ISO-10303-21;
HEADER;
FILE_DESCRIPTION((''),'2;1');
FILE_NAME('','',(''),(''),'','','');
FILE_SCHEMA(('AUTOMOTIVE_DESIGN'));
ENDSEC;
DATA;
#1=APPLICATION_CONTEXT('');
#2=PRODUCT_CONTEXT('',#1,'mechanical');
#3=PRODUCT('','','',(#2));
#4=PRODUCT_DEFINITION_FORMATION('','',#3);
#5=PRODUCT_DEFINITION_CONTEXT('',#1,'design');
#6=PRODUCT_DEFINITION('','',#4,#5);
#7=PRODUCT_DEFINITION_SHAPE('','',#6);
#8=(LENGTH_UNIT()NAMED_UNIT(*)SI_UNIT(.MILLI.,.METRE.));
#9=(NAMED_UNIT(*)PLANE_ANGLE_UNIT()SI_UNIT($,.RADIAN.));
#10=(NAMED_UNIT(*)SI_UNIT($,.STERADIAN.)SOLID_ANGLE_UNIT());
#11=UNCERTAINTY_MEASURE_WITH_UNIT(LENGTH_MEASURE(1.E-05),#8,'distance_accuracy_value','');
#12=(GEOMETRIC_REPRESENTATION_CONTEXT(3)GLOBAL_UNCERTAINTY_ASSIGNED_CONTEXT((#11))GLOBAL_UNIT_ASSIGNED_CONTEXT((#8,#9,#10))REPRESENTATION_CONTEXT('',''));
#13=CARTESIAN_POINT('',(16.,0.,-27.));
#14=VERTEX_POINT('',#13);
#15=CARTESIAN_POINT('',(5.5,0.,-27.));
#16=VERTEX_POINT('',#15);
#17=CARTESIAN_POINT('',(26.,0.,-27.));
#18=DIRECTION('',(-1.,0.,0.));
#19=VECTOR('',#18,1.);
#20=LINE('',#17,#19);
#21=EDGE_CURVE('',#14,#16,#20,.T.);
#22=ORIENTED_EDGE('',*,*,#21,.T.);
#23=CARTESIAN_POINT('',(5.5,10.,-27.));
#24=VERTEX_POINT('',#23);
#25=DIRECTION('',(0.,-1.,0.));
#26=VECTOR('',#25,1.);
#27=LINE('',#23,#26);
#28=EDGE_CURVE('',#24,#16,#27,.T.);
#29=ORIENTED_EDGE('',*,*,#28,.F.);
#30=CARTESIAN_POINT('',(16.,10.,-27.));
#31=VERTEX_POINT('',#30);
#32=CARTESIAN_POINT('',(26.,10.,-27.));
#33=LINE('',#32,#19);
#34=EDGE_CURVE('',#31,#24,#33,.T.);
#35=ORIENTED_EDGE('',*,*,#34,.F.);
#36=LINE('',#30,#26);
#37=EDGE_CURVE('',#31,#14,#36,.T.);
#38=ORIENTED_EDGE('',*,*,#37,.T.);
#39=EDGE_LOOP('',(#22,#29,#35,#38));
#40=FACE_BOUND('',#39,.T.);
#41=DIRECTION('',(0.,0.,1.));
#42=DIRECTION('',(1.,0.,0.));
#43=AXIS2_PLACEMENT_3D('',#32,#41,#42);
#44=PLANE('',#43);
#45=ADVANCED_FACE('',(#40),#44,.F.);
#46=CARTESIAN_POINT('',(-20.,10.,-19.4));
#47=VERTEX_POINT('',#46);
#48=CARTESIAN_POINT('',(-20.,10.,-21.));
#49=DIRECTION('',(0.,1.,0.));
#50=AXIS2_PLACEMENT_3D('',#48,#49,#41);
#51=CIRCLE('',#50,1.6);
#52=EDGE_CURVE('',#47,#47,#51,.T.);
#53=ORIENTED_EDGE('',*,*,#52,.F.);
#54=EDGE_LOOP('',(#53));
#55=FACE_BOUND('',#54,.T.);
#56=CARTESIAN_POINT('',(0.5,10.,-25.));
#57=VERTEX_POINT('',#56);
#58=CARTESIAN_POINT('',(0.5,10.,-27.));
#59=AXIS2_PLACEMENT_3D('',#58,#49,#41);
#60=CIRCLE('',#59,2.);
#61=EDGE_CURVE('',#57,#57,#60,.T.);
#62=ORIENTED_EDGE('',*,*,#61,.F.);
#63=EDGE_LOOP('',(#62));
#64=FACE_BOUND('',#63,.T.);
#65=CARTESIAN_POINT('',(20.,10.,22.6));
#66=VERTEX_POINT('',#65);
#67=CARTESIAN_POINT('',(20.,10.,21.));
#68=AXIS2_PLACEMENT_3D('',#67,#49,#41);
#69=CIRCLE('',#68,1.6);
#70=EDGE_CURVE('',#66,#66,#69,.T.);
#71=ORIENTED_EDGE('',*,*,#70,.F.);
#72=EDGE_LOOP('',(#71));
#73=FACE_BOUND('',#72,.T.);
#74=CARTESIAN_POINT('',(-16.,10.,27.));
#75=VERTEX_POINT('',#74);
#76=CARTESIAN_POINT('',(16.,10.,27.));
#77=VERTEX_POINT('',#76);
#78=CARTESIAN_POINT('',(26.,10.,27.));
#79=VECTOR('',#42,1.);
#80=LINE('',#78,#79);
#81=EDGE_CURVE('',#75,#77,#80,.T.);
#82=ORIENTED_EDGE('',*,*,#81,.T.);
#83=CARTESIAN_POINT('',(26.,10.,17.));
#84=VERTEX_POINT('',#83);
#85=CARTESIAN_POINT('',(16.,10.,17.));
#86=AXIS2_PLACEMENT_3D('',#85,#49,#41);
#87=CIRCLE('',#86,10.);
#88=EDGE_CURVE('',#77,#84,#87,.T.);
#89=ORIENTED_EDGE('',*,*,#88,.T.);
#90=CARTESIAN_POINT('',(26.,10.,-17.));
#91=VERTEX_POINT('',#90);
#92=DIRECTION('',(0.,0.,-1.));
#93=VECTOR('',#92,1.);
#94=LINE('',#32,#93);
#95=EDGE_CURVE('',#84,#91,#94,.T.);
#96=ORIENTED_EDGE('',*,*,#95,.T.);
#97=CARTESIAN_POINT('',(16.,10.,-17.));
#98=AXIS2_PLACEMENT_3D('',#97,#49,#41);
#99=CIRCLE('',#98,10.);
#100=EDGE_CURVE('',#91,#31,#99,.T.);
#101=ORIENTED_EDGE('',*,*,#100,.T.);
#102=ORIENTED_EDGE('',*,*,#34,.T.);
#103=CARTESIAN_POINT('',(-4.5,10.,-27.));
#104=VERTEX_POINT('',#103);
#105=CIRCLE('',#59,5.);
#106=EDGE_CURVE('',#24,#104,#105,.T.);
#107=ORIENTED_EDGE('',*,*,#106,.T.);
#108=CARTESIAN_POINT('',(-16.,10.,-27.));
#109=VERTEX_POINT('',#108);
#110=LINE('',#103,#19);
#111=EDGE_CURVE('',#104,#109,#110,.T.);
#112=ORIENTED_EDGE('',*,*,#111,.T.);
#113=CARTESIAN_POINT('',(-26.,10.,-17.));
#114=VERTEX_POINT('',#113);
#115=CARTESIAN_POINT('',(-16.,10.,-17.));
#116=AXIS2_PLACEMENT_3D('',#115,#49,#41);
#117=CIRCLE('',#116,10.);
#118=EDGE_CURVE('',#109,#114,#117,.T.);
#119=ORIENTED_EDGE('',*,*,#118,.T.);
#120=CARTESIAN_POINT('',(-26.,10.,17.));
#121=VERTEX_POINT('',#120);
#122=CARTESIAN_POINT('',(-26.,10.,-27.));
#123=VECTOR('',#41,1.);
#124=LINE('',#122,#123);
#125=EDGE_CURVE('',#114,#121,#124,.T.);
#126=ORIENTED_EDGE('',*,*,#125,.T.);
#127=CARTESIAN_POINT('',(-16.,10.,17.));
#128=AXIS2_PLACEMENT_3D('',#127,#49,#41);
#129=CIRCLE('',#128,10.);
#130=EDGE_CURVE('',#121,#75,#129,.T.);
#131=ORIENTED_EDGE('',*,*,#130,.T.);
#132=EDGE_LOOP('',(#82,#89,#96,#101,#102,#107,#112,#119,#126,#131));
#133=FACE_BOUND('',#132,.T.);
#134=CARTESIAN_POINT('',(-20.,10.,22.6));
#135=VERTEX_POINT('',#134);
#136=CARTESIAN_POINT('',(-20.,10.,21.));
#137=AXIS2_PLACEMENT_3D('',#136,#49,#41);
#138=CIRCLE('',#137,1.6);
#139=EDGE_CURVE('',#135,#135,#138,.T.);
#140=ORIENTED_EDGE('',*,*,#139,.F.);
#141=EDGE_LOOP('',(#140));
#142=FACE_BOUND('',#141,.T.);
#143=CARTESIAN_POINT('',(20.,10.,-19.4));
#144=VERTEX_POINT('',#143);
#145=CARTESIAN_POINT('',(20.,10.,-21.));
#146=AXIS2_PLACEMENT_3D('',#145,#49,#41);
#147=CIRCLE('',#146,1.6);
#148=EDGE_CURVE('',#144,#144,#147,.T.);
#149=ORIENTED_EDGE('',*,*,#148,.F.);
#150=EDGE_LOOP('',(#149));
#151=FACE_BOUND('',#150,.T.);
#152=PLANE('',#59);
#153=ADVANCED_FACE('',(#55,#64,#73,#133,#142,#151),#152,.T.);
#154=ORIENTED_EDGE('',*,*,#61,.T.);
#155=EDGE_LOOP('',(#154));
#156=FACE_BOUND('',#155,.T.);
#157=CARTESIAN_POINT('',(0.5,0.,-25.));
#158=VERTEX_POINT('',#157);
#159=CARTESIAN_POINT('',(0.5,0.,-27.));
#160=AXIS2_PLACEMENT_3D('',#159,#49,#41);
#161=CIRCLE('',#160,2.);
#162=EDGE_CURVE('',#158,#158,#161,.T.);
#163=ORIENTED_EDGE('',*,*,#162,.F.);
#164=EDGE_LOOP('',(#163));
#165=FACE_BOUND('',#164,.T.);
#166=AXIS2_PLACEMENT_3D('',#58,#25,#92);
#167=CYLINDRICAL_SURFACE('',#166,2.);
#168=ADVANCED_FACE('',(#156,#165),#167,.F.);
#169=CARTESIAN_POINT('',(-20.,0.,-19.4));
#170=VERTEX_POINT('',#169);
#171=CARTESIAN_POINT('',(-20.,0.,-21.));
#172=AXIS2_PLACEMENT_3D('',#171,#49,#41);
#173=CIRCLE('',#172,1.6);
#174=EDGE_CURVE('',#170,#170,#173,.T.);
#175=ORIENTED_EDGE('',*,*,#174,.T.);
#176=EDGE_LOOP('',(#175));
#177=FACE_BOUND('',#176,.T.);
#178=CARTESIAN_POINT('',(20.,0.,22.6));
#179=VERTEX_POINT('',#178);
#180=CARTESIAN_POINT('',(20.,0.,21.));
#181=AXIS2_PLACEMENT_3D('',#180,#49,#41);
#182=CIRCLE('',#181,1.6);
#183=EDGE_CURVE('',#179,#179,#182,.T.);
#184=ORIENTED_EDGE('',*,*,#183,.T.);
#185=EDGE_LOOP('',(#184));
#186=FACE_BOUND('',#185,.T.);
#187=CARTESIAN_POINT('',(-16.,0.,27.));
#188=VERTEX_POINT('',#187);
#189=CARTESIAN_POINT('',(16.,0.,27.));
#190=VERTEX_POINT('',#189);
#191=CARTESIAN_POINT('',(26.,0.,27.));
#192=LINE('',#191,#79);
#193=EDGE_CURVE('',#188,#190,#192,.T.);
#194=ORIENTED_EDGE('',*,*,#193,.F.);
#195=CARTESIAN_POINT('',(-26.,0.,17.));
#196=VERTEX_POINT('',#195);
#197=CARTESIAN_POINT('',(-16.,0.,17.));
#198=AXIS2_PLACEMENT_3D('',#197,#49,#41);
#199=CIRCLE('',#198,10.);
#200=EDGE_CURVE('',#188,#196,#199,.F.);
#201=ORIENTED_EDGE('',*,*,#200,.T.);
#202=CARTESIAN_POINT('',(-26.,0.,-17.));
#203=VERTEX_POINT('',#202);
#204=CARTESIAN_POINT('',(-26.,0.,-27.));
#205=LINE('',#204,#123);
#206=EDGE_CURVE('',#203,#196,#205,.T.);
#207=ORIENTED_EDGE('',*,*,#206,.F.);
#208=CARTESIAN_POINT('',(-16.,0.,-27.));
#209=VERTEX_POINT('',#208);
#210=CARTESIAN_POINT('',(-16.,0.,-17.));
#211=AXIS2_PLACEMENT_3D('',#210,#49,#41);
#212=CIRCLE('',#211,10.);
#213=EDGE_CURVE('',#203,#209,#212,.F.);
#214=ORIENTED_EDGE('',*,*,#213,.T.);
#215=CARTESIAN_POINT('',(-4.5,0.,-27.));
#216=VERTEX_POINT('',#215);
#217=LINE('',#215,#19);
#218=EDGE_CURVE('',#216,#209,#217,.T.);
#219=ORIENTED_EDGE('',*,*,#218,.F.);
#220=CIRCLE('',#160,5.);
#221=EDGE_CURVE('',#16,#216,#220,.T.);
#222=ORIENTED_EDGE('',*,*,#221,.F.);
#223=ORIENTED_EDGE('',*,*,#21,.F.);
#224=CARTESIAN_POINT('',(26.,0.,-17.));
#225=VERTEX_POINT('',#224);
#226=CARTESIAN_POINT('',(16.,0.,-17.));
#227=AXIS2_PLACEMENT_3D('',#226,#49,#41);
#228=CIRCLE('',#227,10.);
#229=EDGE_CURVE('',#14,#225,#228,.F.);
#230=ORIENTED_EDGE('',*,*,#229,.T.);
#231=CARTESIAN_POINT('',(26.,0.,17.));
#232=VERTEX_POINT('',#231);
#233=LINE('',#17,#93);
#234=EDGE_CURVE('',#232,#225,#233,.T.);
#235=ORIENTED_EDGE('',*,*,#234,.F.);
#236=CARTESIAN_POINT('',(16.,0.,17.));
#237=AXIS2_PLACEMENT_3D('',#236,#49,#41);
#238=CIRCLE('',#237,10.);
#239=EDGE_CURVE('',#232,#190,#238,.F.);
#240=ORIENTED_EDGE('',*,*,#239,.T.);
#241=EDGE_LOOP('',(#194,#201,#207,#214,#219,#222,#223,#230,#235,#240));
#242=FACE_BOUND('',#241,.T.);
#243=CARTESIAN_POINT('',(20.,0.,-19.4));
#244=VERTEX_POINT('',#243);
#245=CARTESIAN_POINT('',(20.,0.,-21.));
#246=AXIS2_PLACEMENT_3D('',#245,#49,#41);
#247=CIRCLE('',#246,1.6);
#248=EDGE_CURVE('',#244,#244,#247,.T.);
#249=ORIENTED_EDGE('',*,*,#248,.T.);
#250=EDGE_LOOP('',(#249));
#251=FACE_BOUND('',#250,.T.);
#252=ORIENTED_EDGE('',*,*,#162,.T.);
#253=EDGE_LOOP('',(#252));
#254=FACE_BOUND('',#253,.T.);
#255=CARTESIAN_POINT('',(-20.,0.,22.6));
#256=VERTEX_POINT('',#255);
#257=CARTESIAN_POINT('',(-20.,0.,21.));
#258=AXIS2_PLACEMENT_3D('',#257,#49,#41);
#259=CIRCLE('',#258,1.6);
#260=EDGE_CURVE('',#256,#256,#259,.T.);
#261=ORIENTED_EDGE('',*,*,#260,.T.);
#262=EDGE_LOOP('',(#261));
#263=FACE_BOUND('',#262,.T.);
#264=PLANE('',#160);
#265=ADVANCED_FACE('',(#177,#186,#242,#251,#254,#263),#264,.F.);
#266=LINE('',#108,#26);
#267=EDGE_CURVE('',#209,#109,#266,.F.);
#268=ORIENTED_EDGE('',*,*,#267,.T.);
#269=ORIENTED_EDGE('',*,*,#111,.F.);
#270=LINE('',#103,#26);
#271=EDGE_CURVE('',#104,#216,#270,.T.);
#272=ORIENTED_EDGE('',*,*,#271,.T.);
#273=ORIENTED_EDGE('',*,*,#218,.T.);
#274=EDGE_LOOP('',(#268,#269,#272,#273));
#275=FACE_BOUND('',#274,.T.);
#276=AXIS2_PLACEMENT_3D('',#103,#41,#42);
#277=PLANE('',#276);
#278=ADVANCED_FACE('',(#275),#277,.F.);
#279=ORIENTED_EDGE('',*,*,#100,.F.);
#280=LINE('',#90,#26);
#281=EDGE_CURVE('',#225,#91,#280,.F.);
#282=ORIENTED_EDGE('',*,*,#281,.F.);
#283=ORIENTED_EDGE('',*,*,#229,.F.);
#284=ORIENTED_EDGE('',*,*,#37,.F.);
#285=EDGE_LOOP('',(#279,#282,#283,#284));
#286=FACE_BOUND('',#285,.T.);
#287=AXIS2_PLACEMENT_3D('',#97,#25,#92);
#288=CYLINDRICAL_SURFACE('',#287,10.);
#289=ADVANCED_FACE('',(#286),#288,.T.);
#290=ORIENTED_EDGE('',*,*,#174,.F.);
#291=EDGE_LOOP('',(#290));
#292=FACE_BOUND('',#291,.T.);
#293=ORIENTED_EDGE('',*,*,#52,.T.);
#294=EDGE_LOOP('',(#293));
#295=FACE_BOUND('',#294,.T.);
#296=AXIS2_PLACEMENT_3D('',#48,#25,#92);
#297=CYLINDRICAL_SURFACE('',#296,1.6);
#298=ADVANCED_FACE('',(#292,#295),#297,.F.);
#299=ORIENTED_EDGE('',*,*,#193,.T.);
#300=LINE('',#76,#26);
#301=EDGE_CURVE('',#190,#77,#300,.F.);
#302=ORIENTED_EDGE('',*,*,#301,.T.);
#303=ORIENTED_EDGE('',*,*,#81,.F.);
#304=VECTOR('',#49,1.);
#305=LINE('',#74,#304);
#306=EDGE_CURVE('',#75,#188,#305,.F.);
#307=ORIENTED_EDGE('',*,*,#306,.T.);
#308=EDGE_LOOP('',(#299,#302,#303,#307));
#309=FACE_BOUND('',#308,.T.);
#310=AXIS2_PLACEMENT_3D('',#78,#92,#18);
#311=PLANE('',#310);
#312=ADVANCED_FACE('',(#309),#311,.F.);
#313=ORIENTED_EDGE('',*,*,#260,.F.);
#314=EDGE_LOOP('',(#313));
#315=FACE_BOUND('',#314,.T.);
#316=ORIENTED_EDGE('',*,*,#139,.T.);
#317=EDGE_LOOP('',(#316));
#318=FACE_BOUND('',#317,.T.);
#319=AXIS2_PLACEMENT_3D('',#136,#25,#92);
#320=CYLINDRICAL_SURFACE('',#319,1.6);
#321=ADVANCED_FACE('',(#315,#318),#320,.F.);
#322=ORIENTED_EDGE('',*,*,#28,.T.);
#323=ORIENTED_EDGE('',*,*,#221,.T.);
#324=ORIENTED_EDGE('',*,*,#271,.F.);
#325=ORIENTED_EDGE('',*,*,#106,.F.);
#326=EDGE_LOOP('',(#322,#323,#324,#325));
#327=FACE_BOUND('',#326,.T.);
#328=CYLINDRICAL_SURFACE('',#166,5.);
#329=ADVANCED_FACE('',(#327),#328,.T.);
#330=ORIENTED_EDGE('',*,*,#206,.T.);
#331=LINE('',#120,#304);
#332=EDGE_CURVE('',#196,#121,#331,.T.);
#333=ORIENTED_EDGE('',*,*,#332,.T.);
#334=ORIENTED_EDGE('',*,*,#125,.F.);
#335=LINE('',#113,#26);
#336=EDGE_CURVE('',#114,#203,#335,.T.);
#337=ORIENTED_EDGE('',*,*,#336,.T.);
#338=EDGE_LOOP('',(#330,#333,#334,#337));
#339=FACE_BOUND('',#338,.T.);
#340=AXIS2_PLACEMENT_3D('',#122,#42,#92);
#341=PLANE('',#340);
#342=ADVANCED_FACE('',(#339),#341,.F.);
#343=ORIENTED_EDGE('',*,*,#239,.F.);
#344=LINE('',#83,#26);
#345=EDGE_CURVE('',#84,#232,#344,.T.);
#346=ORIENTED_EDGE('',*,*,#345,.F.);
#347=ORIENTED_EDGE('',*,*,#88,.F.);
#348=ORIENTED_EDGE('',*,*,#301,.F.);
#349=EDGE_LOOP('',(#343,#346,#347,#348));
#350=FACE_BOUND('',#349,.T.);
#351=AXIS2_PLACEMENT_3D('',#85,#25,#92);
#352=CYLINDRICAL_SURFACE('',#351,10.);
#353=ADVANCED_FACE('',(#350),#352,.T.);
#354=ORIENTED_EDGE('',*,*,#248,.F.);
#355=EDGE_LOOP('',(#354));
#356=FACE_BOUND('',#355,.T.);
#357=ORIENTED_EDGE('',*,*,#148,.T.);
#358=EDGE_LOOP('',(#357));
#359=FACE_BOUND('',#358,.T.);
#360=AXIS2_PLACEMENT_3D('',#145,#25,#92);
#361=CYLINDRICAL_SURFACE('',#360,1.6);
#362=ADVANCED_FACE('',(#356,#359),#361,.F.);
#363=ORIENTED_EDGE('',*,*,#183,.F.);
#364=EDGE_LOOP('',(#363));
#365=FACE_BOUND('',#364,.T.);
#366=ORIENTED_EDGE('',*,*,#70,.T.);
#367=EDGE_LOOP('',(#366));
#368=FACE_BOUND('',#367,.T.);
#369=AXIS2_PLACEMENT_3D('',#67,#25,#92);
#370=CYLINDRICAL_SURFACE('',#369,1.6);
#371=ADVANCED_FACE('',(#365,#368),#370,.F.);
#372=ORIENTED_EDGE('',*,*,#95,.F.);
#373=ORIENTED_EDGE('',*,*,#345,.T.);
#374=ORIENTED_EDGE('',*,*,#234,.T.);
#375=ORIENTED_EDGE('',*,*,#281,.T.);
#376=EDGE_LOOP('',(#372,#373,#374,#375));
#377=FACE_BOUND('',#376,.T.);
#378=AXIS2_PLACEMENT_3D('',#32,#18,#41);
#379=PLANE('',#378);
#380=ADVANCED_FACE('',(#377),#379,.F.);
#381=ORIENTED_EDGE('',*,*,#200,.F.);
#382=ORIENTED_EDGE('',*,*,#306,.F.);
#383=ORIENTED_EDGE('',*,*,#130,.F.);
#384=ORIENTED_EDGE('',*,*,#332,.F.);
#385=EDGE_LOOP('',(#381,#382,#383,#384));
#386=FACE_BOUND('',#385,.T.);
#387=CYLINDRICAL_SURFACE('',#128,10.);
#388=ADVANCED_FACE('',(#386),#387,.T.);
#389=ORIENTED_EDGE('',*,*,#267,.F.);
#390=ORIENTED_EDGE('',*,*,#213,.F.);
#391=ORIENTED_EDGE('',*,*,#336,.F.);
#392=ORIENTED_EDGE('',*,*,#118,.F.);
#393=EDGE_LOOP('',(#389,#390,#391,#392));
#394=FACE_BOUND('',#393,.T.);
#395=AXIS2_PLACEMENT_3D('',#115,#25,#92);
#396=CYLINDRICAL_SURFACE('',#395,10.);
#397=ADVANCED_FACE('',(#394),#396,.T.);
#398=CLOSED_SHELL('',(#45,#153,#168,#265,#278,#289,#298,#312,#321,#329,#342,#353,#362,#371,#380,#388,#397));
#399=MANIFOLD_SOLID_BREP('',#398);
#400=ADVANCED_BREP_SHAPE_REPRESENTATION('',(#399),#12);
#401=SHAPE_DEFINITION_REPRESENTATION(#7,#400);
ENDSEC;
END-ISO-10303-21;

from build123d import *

# Parameters (mm, degrees)
SKETCH1_R           = 1.6
SKETCH1_R_2         = 2
BOSS_EXTRUDE1_DEPTH = 10
FILLET1_R           = 10
FILLET2_R           = 10
FILLET3_R           = 10
FILLET4_R           = 10


with BuildPart() as part:
    # Sketch1 → Boss-Extrude1 (new body)
    with BuildSketch(Plane(origin=(0, 0, 0), x_dir=(1, 0, 0), z_dir=(0, 1, 0))):
        with BuildLine():
            Line((-4.5, 27), (-26, 27))
            Line((-26, 27), (-26, -27))
            Line((-26, -27), (26, -27))
            Line((26, -27), (26, 27))
            Line((26, 27), (5.5, 27))
            ThreePointArc((5.5, 27), (0.5, 32), (-4.5, 27))
        make_face()
        with Locations(Location((-20, 21, 0), (0, 0, 270))):  # turned: the seam where the file's is
            Circle(SKETCH1_R, mode=Mode.SUBTRACT)
        with Locations(Location((20, 21, 0), (0, 0, 270))):  # turned: the seam where the file's is
            Circle(SKETCH1_R, mode=Mode.SUBTRACT)
        with Locations(Location((20, -21, 0), (0, 0, 270))):  # turned: the seam where the file's is
            Circle(SKETCH1_R, mode=Mode.SUBTRACT)
        with Locations(Location((-20, -21, 0), (0, 0, 270))):  # turned: the seam where the file's is
            Circle(SKETCH1_R, mode=Mode.SUBTRACT)
        with Locations(Location((0.5, 27, 0), (0, 0, 270))):  # turned: the seam where the file's is
            Circle(SKETCH1_R_2, mode=Mode.SUBTRACT)
    extrude(amount=BOSS_EXTRUDE1_DEPTH)

    # Fillet1
    fillet1_edges = [part.edges().sort_by_distance(p)[0] for p in [
        (-26, 5, -27),
    ]]
    fillet(fillet1_edges, radius=FILLET1_R)

    # Fillet2
    fillet2_edges = [part.edges().sort_by_distance(p)[0] for p in [
        (26, 5, -27),
    ]]
    fillet(fillet2_edges, radius=FILLET2_R)

    # Fillet3
    fillet3_edges = [part.edges().sort_by_distance(p)[0] for p in [
        (-26, 5, 27),
    ]]
    fillet(fillet3_edges, radius=FILLET3_R)

    # Fillet4
    fillet4_edges = [part.edges().sort_by_distance(p)[0] for p in [
        (26, 5, 27),
    ]]
    fillet(fillet4_edges, radius=FILLET4_R)


solid = part.part
